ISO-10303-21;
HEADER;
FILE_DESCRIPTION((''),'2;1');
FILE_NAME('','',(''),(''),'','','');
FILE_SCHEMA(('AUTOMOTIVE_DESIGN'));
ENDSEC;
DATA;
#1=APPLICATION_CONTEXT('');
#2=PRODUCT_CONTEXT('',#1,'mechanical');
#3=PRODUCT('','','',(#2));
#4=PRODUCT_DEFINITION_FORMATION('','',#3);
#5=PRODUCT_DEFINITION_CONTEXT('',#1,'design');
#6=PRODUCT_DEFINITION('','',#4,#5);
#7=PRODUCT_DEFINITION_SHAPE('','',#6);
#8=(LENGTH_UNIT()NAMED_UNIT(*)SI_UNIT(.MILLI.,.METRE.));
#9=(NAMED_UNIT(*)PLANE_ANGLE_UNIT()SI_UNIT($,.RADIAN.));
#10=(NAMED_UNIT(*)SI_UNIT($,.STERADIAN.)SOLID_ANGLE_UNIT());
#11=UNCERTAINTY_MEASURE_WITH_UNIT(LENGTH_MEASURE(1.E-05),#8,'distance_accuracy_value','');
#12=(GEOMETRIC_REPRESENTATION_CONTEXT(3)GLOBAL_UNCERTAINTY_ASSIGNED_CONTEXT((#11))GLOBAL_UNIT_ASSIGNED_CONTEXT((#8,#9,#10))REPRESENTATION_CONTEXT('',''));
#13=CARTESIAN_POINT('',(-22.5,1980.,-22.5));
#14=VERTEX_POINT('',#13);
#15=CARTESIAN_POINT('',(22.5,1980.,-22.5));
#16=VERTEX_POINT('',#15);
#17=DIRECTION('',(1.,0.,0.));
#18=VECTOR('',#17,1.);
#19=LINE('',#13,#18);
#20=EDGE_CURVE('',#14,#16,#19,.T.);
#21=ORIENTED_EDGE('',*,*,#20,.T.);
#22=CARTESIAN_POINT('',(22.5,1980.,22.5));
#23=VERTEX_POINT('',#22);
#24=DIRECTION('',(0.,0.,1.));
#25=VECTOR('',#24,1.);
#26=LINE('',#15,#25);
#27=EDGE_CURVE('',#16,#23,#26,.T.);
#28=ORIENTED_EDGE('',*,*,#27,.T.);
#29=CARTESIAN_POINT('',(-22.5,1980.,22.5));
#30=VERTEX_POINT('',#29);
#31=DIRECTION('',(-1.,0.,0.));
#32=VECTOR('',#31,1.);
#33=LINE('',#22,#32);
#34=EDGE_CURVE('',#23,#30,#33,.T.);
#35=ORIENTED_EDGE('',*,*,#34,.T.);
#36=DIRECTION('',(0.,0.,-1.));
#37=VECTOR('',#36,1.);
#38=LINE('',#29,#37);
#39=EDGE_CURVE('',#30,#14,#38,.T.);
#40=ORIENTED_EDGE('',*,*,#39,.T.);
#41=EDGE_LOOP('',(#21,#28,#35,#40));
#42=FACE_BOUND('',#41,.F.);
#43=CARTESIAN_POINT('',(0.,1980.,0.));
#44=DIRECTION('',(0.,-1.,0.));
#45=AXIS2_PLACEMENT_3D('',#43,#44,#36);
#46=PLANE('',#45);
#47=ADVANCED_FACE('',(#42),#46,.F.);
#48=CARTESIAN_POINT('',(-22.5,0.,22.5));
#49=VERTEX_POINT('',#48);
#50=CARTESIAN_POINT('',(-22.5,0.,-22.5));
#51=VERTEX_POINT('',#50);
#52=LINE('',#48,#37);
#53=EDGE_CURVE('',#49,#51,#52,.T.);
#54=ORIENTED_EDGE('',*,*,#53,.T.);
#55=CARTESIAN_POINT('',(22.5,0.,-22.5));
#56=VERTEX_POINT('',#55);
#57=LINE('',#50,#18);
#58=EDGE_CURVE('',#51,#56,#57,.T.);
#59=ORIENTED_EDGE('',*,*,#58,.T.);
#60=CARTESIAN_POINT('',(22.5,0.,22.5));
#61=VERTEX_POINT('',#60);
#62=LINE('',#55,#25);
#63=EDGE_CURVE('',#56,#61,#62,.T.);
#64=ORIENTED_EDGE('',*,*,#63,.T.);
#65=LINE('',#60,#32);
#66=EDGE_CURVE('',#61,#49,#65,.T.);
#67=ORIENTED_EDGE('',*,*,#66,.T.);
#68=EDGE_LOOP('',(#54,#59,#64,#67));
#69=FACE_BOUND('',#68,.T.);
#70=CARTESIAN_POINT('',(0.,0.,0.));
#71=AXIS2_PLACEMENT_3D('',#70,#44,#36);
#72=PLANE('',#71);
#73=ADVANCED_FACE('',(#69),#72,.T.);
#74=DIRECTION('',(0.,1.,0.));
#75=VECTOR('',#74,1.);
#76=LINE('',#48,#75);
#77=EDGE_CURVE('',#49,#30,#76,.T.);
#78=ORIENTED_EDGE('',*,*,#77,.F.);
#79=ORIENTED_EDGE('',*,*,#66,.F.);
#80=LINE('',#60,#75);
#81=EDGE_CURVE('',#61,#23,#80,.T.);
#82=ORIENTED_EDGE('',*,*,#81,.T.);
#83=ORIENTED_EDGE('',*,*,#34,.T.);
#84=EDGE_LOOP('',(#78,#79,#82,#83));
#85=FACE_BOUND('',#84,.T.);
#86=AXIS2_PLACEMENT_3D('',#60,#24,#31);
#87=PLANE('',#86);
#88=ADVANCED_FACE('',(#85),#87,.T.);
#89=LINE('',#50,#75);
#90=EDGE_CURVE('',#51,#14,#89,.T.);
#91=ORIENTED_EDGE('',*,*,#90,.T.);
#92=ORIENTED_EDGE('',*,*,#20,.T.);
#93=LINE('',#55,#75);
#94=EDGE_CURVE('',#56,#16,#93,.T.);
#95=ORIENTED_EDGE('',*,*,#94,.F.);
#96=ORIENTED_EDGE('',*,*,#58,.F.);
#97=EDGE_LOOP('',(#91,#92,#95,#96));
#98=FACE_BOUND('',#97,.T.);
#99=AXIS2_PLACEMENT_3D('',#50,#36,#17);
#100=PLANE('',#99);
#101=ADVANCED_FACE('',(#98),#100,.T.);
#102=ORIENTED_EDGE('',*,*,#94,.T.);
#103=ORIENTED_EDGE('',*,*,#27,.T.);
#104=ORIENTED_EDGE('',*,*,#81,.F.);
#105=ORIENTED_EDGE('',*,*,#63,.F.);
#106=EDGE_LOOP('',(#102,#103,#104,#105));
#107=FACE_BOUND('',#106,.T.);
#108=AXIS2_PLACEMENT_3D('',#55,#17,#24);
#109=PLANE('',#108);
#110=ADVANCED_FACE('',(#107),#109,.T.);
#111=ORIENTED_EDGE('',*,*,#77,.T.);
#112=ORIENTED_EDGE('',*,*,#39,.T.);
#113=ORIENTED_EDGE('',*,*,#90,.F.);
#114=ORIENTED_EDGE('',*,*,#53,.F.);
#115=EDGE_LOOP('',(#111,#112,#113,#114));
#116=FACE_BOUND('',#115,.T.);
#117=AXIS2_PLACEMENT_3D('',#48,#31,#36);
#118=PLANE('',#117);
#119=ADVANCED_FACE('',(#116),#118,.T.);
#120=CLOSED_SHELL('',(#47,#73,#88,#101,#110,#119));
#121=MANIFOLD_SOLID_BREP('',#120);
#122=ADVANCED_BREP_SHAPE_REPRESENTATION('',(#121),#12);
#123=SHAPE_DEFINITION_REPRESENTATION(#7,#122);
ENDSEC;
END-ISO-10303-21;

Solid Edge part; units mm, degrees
sketch "Sketch1" plane through (0, 0, 0) normal (0, -1, 0) x (1, 0, 0)
  line L0 (-22.5, -22.5) -> (22.5, -22.5)
  line L1 (22.5, -22.5) -> (22.5, 22.5)
  line L2 (22.5, 22.5) -> (-22.5, 22.5)
  line L3 (-22.5, 22.5) -> (-22.5, -22.5)
extrude "Protrusion1" add sketch "Sketch1" against normal blind 1980
properties material "Wood, Pine"
